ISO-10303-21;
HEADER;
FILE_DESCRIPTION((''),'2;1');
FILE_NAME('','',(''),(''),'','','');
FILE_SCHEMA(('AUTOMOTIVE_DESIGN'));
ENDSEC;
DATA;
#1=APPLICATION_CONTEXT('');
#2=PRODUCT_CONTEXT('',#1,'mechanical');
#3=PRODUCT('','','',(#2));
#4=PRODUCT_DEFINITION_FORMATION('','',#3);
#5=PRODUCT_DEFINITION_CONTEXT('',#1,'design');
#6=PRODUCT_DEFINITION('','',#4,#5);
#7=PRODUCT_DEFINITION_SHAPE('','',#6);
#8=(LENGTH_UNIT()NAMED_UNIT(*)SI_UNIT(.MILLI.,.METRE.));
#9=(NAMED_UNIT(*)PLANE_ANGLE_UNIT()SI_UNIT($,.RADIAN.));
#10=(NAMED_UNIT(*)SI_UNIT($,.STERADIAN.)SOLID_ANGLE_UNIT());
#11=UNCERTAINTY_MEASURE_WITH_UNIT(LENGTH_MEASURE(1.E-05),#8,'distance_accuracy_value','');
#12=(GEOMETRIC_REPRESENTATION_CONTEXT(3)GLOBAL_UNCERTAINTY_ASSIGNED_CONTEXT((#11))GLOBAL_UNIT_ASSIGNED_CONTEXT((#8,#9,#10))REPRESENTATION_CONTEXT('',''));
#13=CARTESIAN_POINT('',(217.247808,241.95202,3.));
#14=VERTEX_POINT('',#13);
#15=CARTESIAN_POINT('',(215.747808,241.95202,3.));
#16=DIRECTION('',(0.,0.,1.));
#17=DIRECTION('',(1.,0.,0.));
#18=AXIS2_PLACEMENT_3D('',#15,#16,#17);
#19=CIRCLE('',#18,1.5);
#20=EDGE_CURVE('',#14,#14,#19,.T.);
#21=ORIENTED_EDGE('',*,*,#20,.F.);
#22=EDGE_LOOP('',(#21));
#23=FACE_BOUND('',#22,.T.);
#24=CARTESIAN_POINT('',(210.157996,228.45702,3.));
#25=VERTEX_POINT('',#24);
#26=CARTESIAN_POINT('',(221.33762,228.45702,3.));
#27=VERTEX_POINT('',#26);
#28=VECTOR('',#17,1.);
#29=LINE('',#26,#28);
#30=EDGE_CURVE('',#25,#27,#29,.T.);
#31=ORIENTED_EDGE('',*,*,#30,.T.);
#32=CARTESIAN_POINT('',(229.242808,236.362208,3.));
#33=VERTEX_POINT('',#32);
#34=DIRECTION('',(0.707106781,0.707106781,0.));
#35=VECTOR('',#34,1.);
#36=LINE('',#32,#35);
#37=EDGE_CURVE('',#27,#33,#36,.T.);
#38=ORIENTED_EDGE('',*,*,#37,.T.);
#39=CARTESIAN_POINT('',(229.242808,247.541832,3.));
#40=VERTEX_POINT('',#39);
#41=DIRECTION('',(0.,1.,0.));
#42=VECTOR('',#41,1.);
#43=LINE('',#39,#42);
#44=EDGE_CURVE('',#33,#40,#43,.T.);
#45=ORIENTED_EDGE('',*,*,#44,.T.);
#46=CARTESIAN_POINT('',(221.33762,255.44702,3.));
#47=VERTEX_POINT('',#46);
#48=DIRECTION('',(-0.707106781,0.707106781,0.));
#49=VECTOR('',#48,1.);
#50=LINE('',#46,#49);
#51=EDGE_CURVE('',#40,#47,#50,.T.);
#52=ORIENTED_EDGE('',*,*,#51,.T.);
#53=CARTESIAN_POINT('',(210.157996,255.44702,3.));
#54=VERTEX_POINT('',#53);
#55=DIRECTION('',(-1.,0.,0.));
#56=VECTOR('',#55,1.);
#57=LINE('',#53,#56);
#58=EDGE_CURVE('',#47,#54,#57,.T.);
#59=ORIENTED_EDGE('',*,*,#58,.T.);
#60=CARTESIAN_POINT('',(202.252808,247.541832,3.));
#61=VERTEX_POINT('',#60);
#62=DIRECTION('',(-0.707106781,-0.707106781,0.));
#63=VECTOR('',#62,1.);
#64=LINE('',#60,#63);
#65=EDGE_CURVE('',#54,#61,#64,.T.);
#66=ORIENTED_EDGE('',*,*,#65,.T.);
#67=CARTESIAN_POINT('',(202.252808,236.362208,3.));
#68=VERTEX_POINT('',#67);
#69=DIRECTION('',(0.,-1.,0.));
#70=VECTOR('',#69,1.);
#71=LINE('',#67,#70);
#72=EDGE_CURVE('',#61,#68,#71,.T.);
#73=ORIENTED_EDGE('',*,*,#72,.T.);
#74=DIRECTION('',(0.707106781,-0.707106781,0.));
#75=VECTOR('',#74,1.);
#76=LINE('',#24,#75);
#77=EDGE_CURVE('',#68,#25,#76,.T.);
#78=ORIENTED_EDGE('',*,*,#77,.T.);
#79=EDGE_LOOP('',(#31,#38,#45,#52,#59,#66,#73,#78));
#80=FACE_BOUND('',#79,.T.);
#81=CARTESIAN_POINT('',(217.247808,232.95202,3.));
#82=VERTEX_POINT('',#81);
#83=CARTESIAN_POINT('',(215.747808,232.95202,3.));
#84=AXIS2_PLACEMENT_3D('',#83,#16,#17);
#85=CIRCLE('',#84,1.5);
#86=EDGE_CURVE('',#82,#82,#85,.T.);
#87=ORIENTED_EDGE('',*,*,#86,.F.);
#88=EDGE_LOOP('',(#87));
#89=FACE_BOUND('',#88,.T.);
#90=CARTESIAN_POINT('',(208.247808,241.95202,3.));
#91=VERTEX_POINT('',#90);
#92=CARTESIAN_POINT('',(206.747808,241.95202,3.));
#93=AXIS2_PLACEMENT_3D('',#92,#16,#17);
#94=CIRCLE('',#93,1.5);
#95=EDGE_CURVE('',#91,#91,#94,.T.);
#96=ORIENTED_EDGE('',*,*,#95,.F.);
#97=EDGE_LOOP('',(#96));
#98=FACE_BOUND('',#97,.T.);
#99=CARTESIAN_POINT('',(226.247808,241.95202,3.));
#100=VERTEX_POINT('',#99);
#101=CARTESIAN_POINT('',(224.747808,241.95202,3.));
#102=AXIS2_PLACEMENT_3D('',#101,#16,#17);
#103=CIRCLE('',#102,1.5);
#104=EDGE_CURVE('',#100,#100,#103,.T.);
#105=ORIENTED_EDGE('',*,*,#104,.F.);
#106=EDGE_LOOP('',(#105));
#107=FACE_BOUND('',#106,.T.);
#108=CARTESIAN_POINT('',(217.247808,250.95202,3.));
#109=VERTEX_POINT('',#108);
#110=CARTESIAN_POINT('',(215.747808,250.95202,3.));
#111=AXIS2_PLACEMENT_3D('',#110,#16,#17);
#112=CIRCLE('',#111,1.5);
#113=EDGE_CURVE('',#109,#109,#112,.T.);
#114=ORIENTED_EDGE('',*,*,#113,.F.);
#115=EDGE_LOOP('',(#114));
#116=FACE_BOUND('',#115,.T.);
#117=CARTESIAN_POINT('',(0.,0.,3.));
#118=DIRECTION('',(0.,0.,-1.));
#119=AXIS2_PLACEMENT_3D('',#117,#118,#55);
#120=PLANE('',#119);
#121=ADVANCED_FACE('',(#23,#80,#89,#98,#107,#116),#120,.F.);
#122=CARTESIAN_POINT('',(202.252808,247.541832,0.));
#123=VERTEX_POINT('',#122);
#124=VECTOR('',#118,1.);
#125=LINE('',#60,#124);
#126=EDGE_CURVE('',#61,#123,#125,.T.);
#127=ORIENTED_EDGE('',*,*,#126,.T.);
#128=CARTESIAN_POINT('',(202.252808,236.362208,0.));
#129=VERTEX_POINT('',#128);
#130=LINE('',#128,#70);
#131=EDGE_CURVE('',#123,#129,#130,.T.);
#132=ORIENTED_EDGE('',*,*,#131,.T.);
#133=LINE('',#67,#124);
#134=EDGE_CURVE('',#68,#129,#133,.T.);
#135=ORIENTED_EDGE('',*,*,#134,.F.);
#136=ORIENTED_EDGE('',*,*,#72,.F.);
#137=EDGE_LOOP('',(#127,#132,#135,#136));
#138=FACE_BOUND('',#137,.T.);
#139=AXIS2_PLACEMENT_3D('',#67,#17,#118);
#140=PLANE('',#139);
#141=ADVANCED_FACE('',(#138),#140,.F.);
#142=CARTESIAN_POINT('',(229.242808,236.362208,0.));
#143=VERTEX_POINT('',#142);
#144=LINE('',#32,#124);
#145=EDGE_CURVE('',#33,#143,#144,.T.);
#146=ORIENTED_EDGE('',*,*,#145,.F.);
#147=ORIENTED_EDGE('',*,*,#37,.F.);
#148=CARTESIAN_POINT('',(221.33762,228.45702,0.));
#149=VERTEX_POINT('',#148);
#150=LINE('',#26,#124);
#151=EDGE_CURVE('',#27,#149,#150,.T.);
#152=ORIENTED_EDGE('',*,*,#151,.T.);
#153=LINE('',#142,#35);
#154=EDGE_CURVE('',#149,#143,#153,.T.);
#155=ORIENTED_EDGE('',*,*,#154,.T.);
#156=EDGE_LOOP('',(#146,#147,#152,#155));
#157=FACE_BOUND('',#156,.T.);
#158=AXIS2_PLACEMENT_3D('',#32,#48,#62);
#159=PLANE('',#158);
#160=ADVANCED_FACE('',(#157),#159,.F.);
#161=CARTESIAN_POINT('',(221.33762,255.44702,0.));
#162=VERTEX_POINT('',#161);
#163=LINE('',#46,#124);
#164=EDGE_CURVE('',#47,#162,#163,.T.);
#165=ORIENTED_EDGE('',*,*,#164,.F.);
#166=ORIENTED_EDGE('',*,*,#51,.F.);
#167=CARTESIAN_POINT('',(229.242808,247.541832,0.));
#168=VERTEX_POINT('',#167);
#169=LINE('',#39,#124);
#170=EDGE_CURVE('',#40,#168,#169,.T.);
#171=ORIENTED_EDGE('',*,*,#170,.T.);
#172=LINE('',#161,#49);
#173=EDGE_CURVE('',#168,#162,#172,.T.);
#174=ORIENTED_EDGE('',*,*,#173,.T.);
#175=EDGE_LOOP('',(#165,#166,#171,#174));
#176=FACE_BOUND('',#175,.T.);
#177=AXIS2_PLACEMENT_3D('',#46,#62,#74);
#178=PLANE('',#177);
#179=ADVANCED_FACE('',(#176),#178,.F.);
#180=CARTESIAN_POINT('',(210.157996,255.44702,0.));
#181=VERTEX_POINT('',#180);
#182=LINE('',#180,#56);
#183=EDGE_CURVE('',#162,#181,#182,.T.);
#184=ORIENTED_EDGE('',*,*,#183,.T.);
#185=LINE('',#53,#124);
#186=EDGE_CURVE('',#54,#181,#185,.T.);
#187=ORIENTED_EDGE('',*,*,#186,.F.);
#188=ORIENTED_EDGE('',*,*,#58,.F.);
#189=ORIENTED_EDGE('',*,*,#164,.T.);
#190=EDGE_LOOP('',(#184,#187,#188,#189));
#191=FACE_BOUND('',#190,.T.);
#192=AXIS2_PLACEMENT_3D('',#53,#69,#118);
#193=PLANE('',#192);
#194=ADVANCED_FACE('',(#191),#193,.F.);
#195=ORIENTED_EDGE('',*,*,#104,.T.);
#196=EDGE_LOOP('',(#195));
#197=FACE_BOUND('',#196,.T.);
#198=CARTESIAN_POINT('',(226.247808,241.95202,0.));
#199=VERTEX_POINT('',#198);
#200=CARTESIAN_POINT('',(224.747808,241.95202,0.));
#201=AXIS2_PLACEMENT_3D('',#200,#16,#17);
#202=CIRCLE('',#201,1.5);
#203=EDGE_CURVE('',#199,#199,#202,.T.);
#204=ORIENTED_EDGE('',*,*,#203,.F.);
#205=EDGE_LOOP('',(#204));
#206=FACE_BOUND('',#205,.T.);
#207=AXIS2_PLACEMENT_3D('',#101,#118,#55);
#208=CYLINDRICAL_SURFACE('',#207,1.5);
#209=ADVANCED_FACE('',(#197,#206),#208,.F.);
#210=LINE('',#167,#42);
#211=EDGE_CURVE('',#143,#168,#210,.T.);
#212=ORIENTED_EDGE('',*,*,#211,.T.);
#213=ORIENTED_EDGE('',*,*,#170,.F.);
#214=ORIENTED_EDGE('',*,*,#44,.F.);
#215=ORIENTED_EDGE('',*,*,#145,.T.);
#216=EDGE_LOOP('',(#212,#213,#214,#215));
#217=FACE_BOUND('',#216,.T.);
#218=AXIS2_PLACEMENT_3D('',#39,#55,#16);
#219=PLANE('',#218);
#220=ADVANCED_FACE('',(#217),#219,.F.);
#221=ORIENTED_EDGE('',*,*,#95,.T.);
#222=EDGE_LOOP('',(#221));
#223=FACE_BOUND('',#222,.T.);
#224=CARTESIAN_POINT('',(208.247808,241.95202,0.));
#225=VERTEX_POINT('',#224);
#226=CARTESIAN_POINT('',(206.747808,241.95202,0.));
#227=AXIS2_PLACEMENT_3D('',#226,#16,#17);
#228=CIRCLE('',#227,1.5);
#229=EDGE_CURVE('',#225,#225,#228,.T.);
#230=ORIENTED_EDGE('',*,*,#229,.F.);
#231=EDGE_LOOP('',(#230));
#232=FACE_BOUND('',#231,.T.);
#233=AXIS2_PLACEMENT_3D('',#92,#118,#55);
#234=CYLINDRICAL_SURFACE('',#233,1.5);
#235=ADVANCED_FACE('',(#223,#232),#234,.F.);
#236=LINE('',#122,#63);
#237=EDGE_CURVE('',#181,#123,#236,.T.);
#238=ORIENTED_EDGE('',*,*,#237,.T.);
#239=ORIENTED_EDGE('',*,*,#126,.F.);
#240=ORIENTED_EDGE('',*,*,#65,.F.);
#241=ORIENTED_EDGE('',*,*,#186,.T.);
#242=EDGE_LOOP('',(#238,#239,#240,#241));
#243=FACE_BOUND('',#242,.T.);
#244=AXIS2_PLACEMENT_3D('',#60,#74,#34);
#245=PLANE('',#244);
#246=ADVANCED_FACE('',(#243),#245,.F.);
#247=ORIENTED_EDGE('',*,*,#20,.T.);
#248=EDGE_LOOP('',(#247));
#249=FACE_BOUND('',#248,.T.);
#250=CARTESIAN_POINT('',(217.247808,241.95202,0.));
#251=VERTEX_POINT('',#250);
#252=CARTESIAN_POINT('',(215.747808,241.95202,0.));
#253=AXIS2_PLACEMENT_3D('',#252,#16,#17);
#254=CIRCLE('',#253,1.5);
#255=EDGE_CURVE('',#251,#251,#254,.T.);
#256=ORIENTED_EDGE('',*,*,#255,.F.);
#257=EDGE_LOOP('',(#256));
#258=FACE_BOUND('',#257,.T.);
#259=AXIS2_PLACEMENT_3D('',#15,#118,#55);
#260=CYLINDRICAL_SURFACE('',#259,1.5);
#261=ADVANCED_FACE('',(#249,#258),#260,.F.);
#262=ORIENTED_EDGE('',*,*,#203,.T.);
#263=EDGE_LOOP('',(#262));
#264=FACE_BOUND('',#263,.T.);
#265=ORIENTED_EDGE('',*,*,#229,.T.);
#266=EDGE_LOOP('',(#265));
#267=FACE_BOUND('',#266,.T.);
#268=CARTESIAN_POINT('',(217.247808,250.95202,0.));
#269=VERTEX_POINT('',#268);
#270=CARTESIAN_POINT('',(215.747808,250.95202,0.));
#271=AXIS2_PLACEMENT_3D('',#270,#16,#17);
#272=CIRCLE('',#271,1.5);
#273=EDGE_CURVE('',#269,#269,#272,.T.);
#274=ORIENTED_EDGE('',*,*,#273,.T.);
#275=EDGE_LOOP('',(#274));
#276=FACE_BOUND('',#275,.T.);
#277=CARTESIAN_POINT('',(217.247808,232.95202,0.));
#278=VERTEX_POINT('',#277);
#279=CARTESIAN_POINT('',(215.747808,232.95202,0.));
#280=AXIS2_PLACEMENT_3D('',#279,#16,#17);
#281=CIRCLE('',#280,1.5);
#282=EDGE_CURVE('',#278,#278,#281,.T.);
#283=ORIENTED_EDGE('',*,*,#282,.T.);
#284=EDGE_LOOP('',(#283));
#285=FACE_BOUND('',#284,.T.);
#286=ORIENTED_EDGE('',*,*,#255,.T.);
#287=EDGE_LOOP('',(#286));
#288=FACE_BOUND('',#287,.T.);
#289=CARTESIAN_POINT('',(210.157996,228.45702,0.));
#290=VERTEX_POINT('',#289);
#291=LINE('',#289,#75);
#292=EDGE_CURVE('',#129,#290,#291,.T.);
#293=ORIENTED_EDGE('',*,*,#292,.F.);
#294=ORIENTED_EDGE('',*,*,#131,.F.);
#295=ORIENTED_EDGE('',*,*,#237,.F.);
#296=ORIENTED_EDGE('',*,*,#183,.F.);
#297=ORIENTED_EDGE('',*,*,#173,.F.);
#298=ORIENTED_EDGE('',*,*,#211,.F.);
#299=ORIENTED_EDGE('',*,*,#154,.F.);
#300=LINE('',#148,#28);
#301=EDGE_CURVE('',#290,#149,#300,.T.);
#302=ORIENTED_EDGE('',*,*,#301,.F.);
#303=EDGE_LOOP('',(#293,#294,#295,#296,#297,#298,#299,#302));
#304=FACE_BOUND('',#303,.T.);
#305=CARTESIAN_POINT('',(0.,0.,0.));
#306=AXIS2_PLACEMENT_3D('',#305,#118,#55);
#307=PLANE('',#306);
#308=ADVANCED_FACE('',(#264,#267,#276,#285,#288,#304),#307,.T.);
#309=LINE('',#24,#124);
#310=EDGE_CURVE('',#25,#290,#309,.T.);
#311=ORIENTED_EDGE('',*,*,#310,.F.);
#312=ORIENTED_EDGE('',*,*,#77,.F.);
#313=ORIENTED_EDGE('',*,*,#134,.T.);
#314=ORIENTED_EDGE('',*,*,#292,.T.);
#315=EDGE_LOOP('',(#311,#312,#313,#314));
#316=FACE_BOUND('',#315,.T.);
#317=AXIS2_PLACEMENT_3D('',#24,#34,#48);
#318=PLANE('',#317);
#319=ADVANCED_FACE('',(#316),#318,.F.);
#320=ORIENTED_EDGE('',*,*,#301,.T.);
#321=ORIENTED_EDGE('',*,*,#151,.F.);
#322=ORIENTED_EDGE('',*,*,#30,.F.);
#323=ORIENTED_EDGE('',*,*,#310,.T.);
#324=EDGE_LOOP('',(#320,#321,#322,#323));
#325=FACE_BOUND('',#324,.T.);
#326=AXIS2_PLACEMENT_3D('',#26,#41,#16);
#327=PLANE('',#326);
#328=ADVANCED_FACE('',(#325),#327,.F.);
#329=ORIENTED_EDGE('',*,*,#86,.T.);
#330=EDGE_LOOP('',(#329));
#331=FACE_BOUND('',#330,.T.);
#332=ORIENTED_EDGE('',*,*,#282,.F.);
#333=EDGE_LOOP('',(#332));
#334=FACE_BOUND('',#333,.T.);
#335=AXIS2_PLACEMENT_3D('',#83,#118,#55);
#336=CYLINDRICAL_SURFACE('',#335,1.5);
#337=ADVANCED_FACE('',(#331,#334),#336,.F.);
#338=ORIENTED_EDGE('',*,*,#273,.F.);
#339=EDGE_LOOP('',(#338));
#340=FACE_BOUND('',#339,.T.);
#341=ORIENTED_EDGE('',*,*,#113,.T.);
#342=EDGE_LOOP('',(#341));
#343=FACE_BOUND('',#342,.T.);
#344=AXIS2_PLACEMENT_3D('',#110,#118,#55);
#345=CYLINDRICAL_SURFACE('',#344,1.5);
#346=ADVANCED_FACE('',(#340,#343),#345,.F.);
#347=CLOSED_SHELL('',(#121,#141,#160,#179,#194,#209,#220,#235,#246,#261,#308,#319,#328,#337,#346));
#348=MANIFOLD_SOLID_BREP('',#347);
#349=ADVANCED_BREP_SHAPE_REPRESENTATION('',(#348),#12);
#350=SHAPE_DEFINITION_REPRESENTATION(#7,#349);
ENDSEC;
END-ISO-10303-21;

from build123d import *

# Parameters (mm, degrees)
MODEL_R                 = 1.5
SALIENTE_EXTRUIR1_DEPTH = 3


with BuildPart() as part:
    # Model → Saliente-Extruir1 (new body)
    with BuildSketch(Plane.XY):
        Polygon((221.337619938, 228.457019993), (210.157995889, 228.457019993), (202.252807913, 236.362207969), (202.252807913, 247.541832017), (210.157995889, 255.447019993), (221.337619938, 255.447019993), (229.242807914, 247.541832017), (229.242807914, 236.362207969), align=None)
        with Locations((215.747807914, 241.952019993)):
            Circle(MODEL_R, mode=Mode.SUBTRACT)
        with Locations((215.747807914, 232.952019993)):
            Circle(MODEL_R, mode=Mode.SUBTRACT)
        with Locations((215.747807914, 250.952019993)):
            Circle(MODEL_R, mode=Mode.SUBTRACT)
        with Locations((224.747807913, 241.952019993)):
            Circle(MODEL_R, mode=Mode.SUBTRACT)
        with Locations((206.747807913, 241.952019993)):
            Circle(MODEL_R, mode=Mode.SUBTRACT)
    extrude(amount=SALIENTE_EXTRUIR1_DEPTH)


solid = part.part
